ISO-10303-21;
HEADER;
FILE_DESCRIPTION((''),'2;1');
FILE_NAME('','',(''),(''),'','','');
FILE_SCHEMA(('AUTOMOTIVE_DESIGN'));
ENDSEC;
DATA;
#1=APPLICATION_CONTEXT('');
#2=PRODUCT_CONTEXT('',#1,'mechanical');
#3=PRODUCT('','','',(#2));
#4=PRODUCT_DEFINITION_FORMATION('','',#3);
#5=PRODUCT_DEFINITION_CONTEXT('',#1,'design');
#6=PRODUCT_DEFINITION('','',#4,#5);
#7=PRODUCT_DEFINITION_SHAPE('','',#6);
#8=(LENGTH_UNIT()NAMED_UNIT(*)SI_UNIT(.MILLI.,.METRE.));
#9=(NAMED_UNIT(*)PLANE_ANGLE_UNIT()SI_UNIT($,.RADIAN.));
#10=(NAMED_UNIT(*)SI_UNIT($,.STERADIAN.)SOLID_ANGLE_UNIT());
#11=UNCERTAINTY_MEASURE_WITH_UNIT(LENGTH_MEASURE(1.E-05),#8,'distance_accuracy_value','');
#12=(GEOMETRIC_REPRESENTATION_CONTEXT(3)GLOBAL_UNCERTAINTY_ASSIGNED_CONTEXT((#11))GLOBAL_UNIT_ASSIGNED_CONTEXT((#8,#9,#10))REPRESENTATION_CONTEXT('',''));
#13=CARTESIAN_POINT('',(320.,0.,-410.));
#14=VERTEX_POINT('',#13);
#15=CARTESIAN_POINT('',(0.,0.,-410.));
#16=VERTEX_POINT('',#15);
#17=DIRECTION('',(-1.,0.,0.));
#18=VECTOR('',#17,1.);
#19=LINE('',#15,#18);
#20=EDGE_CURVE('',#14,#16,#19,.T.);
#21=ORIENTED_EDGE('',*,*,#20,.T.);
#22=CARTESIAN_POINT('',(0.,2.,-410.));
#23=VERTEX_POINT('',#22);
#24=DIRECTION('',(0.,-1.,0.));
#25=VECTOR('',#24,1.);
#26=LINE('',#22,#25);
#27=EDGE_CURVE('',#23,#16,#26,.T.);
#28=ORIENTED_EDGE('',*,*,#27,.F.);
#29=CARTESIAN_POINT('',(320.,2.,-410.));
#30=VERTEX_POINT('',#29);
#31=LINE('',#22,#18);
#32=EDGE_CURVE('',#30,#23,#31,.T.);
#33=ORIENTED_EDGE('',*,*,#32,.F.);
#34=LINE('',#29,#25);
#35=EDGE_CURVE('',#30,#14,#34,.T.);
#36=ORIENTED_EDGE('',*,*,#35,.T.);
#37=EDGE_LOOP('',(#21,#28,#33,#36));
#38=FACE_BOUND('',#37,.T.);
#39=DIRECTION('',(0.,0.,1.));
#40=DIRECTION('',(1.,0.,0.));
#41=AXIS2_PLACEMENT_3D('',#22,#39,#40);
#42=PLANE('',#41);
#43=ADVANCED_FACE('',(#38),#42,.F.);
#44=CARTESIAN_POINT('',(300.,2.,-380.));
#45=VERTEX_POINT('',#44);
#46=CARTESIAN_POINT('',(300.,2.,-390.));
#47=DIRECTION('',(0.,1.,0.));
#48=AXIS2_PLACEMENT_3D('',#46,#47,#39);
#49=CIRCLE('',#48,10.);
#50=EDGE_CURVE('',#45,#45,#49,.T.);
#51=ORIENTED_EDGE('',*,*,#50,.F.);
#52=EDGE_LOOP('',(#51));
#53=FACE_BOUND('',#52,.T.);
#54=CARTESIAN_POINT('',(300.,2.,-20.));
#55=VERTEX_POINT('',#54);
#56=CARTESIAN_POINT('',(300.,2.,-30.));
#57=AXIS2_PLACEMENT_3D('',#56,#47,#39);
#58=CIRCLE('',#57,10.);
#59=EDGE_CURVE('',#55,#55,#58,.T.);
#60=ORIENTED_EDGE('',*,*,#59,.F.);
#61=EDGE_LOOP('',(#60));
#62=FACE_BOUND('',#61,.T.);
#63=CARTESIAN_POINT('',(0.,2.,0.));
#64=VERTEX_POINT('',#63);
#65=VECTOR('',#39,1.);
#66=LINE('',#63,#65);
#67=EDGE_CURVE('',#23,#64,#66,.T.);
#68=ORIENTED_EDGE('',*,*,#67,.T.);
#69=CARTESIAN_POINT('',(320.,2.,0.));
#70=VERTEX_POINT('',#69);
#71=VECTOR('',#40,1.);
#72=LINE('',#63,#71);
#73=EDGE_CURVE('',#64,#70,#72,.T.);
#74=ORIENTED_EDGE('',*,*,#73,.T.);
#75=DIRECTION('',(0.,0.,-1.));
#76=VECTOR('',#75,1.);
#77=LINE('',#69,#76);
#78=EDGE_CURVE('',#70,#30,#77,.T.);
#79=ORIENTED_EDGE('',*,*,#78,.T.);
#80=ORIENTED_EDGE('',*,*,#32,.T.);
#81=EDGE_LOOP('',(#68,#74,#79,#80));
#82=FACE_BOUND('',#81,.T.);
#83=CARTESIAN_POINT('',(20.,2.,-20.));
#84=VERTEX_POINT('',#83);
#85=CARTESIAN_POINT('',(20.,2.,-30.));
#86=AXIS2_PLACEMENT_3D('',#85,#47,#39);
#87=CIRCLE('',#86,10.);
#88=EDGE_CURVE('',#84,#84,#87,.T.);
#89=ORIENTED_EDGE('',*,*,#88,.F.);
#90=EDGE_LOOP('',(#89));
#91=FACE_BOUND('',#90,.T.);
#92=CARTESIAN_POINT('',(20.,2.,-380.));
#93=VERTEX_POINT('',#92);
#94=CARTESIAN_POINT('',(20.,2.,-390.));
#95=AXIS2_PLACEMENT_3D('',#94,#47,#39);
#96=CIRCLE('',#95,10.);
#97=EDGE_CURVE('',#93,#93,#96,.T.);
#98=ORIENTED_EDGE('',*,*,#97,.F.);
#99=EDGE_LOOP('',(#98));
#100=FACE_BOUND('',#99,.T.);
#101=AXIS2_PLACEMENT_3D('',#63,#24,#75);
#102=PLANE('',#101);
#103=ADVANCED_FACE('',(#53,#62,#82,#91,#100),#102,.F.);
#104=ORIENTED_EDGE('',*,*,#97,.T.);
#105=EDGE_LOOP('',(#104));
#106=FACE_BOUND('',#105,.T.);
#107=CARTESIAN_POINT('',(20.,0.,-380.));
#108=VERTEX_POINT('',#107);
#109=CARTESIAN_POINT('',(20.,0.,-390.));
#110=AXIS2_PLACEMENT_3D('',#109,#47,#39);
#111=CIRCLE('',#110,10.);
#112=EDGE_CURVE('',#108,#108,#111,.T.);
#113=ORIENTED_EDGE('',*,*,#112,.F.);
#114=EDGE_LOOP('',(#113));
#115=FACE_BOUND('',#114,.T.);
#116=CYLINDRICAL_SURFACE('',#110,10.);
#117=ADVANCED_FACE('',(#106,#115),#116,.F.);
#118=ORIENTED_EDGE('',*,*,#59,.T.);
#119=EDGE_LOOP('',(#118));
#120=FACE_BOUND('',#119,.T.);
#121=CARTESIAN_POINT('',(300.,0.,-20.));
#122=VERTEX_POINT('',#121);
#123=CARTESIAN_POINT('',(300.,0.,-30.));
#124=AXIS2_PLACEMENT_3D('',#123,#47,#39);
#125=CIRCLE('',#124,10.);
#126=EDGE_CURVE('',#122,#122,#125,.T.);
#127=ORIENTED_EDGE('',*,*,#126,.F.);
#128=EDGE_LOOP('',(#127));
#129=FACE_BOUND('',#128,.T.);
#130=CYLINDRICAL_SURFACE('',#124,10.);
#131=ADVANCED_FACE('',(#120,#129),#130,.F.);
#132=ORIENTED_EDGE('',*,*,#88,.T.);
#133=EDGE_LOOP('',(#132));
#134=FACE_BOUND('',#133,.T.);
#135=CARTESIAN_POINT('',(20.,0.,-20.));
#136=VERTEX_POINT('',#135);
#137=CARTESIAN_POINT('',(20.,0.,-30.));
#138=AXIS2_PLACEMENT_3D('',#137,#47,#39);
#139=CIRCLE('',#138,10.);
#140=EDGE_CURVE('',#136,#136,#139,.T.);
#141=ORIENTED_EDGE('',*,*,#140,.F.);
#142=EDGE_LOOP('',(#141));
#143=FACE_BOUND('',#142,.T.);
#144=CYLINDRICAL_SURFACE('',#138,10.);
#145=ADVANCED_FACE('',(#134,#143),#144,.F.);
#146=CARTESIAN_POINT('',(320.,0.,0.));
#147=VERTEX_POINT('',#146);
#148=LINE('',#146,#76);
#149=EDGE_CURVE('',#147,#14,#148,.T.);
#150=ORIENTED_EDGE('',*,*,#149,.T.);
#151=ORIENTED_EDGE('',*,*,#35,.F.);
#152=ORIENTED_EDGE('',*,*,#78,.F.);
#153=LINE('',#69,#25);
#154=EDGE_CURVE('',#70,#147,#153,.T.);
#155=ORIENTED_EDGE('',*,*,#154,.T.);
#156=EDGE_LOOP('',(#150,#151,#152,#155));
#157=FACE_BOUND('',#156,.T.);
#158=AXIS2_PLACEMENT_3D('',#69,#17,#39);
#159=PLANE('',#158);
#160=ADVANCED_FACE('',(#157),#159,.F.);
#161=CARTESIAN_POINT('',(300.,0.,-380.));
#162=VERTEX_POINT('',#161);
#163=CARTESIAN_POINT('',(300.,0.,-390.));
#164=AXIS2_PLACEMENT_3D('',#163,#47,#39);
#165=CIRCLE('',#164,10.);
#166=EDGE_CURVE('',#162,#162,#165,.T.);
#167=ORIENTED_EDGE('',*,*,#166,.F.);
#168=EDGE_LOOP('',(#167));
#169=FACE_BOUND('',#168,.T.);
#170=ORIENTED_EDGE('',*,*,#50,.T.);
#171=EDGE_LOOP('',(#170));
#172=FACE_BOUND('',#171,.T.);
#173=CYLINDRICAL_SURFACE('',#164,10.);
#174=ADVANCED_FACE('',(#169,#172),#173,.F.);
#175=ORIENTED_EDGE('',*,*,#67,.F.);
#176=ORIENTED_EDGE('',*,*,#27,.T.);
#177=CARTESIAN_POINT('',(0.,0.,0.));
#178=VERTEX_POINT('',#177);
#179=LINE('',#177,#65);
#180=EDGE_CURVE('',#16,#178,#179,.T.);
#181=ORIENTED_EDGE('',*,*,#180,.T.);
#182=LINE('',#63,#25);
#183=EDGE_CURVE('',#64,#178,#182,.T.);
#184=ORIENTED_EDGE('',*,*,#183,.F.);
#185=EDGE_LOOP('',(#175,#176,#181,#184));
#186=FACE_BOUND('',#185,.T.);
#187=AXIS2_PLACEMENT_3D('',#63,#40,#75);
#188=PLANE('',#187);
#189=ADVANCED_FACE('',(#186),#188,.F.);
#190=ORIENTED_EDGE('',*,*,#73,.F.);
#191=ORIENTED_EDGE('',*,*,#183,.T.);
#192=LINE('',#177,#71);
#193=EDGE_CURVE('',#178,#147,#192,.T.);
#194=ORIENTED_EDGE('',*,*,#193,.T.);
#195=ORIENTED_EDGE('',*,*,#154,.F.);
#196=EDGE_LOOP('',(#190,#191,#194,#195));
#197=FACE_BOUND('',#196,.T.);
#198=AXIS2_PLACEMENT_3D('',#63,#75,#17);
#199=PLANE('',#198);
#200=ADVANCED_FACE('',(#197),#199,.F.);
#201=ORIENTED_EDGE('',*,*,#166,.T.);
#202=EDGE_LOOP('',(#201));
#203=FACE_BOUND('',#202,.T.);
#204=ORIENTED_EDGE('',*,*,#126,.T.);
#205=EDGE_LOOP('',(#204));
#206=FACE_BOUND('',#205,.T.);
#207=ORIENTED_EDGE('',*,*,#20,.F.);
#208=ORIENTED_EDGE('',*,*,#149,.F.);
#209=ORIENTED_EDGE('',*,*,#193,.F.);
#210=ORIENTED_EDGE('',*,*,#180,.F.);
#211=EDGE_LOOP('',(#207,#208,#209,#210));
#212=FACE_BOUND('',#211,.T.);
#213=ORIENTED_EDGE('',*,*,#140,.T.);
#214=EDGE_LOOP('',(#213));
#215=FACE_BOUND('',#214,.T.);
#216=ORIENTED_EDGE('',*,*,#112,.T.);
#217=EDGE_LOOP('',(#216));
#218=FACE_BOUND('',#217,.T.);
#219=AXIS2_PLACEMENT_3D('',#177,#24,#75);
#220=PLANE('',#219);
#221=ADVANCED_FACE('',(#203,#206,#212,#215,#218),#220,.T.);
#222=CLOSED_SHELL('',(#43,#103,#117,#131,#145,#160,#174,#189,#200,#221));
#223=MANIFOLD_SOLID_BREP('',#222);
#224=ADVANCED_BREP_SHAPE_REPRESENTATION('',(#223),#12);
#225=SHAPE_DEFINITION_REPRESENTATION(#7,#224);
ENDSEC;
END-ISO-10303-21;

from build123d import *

# Parameters (mm, degrees)
SKETCH_1_W          = 320
SKETCH_1_H          = 410
EXTRUDE_1_DEPTH     = 2
SKETCH_2_R          = 10
CUT_EXTRUDE_1_DEPTH = 2


with BuildPart() as part:
    # 草图1 → 凸台-拉伸1 (new body)
    with BuildSketch(Plane(origin=(0, 0, 0), x_dir=(1, 0, 0), z_dir=(0, 1, 0))):
        with Locations((160, 205)):
            Rectangle(SKETCH_1_W, SKETCH_1_H)
    extrude(amount=EXTRUDE_1_DEPTH)

    # 草图2 → 切除-拉伸1 (cut)
    with BuildSketch(Plane(origin=(0, 2, 0), x_dir=(1, 0, 0), z_dir=(0, 1, 0))):
        with Locations((20, 390)):
            Circle(SKETCH_2_R)
        with Locations((300, 390)):
            Circle(SKETCH_2_R)
        with Locations((300, 30)):
            Circle(SKETCH_2_R)
        with Locations((20, 30)):
            Circle(SKETCH_2_R)
    extrude(amount=-CUT_EXTRUDE_1_DEPTH, mode=Mode.SUBTRACT)


solid = part.part
